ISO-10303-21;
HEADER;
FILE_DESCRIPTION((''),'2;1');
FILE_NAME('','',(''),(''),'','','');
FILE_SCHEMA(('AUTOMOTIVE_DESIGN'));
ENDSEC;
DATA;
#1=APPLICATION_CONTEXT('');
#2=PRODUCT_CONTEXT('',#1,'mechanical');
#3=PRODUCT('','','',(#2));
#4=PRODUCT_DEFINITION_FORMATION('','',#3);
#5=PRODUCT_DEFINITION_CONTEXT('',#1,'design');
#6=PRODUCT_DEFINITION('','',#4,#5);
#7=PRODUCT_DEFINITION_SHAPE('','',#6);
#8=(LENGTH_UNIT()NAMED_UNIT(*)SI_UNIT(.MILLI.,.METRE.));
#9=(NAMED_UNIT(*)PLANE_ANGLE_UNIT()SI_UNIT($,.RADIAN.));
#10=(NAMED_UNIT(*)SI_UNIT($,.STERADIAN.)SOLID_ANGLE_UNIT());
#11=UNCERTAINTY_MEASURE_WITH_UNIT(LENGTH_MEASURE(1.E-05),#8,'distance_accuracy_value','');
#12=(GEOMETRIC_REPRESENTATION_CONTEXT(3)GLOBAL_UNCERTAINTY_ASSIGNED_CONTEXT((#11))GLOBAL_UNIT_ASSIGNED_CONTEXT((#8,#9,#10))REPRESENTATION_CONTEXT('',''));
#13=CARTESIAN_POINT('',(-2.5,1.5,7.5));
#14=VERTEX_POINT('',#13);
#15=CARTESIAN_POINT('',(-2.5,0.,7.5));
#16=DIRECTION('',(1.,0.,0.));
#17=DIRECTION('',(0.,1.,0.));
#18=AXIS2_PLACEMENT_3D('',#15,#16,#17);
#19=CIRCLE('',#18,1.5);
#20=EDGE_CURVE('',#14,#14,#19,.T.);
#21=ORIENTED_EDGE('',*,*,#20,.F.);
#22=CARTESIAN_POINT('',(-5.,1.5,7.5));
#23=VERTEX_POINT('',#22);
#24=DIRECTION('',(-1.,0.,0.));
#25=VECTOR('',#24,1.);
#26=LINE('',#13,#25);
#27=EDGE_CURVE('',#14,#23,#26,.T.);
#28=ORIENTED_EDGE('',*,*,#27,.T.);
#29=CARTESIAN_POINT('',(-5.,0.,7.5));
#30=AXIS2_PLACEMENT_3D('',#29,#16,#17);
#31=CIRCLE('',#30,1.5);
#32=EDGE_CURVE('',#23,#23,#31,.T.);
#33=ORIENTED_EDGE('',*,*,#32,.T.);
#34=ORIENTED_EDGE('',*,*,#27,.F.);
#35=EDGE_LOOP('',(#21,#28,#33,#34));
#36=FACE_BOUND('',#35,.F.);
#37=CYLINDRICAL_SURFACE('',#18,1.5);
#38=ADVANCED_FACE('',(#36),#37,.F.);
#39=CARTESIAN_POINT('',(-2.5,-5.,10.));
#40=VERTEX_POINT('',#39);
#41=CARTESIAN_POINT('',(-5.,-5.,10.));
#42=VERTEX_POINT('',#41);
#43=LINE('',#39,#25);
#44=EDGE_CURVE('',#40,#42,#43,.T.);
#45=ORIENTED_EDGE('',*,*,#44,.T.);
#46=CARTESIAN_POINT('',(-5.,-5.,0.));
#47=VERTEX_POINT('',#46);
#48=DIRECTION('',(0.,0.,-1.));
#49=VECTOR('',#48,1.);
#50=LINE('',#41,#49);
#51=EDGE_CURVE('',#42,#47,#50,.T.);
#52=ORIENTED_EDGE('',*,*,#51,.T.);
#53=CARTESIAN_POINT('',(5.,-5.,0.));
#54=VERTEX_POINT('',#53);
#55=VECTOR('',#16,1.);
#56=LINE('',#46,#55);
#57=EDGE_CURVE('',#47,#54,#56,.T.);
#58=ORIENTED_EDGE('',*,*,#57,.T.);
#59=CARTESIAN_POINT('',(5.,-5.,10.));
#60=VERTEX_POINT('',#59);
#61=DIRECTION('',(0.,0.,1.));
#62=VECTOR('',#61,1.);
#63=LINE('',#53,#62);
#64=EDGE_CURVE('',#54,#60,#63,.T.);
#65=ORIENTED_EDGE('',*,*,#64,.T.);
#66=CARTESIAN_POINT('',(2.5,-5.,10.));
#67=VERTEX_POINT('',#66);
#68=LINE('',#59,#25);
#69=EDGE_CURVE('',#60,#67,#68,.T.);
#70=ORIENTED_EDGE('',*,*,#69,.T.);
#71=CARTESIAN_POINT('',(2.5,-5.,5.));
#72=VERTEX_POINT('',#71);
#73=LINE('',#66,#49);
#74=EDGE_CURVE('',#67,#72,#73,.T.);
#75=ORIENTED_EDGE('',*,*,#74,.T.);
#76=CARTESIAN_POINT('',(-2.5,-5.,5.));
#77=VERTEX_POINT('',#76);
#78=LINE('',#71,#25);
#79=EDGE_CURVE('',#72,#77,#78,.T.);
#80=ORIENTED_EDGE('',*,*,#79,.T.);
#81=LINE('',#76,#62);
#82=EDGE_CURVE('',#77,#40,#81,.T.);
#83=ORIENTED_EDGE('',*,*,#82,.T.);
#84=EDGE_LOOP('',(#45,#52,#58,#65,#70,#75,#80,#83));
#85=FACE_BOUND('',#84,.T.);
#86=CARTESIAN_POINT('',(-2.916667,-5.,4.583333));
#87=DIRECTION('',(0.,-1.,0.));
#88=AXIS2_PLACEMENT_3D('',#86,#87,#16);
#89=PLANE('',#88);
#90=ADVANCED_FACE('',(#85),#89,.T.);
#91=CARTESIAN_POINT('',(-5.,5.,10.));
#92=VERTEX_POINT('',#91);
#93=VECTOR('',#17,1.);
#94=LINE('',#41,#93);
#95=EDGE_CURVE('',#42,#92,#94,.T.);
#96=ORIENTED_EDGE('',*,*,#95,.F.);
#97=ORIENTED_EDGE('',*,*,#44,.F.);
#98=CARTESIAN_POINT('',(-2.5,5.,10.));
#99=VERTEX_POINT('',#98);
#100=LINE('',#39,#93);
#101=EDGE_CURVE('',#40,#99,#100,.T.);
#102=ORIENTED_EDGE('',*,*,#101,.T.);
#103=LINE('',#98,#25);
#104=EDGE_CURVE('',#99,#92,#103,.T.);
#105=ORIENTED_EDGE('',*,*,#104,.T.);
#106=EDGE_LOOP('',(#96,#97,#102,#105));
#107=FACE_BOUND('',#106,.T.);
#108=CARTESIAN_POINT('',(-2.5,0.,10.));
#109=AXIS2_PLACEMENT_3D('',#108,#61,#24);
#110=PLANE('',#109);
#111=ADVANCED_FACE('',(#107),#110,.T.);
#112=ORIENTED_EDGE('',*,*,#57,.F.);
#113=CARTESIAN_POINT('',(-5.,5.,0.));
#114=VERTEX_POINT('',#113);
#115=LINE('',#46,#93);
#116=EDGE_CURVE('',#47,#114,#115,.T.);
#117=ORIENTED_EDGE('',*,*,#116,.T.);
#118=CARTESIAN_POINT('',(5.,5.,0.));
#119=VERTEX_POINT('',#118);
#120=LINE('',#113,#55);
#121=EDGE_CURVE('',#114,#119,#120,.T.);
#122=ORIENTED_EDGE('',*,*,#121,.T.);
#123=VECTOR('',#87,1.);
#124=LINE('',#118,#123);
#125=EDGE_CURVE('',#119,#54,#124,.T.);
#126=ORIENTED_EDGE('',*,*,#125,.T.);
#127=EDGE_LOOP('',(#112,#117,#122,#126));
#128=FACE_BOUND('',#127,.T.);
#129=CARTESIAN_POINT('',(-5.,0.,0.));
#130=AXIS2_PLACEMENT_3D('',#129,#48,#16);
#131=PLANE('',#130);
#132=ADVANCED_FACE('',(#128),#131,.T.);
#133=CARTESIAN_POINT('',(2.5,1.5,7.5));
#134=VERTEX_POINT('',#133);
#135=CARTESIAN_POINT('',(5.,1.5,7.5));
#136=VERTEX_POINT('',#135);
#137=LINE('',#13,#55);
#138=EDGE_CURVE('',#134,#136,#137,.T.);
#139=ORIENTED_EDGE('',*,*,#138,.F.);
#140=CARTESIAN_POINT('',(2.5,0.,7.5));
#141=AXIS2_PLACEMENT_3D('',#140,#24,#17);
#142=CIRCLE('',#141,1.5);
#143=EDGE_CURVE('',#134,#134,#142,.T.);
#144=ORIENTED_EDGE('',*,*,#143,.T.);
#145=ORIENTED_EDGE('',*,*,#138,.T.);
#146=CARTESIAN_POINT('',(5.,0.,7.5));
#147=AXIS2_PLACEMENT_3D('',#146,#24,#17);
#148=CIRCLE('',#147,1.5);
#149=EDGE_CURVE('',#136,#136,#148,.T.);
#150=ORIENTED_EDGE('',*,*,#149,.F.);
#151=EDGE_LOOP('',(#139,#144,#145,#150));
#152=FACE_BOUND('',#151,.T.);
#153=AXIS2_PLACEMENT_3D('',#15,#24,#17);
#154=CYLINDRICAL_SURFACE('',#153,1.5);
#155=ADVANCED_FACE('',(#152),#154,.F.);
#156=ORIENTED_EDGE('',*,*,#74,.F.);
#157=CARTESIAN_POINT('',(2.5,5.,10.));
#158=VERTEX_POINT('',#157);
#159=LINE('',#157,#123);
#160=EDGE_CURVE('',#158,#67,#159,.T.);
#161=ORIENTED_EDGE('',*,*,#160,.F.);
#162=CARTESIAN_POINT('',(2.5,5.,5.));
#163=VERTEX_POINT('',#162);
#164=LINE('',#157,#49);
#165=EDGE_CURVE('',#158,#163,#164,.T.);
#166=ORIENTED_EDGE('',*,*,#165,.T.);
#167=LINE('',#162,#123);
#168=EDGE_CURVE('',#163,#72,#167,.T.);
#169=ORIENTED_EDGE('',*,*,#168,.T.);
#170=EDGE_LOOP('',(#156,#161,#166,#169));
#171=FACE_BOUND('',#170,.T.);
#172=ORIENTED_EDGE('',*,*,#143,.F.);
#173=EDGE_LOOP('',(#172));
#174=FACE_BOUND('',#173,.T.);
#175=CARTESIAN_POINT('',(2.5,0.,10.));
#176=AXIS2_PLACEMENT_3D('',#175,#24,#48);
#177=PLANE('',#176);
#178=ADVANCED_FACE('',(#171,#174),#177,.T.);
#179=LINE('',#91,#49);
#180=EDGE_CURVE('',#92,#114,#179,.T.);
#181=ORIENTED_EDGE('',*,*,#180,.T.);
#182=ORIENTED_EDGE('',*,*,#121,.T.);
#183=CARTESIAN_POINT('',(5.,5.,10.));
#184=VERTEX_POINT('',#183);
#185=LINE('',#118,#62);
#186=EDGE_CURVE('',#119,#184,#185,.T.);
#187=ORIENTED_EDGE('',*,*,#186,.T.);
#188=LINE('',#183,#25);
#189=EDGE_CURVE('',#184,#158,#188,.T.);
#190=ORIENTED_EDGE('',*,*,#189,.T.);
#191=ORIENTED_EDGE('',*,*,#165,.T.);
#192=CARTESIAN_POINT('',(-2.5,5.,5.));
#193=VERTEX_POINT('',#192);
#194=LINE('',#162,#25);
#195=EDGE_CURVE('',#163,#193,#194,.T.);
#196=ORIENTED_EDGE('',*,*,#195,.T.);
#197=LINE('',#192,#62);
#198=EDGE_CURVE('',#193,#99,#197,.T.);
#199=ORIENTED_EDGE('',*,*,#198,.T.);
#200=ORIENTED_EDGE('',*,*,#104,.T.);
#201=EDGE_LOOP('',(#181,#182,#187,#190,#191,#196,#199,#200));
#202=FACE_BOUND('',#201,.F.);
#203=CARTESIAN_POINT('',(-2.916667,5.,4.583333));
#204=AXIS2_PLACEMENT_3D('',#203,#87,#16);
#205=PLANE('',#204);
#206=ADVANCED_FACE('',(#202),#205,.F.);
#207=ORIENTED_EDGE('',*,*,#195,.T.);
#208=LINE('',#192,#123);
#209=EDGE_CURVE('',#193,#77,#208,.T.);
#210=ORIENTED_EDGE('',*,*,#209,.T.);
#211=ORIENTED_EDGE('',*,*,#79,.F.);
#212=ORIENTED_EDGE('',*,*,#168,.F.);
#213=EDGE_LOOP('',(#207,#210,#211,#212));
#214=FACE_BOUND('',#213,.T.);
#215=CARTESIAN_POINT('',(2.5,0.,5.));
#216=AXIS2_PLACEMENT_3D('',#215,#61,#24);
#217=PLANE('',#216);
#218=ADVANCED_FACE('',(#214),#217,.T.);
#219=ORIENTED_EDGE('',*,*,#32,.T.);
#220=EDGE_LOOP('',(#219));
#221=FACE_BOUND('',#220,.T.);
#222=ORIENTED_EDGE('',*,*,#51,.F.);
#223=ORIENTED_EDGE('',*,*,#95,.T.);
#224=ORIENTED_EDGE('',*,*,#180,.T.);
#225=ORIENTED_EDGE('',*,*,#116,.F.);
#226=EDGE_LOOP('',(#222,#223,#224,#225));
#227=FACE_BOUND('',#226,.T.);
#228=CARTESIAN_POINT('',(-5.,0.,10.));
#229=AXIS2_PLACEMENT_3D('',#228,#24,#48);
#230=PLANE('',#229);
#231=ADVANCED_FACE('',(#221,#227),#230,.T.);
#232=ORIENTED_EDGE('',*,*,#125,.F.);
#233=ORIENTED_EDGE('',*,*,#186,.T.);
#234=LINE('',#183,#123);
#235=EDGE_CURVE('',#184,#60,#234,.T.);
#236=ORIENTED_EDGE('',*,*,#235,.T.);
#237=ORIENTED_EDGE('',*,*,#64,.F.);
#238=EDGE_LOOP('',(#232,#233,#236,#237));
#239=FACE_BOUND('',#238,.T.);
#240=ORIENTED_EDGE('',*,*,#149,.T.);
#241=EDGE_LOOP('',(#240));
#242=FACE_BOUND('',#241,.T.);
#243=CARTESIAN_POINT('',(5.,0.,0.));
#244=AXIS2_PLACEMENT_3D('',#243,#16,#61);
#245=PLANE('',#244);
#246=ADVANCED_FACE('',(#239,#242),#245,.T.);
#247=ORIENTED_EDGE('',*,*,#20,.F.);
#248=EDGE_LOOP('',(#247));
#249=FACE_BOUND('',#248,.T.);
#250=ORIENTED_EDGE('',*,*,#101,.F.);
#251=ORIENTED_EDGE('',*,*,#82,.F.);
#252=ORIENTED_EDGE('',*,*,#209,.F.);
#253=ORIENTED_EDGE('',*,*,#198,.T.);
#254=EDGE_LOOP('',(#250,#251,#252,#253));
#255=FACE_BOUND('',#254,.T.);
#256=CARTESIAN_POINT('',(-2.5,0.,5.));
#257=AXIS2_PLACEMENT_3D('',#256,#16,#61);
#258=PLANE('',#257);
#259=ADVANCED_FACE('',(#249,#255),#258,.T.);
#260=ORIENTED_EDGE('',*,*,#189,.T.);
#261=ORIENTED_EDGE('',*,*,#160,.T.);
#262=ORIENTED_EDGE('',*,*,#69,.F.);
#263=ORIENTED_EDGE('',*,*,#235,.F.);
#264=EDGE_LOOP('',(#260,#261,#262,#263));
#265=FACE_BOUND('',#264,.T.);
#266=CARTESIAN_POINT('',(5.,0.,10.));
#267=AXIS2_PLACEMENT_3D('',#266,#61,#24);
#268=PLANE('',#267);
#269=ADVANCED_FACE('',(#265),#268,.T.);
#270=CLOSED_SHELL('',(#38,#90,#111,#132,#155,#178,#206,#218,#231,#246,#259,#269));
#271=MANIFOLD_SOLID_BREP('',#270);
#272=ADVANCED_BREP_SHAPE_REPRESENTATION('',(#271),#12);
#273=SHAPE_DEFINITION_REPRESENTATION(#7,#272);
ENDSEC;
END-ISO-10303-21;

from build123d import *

# Parameters (mm, degrees)
F1_DEPTH      = 5
F2_R          = 1.5
F3_DEPTH      = 2.501
F3_DEPTH_BACK = 7.501


with BuildPart() as f1:
    # F0 (on Front) → F1 (new body, symmetric)
    with BuildSketch(Plane.XZ):
        Polygon((-5, 0), (0, 0), (0, 5), (-2.5, 5), (-2.5, 10), (-5, 10), align=None)
        Polygon((0, 5), (0, 0), (5, 0), (5, 10), (2.5, 10), (2.5, 5), align=None)
    extrude(amount=F1_DEPTH, both=True)

    # F2 (on face) → F3 (cut, two sides)
    with BuildSketch(Plane.YZ.offset(-2.5)) as f3_sk:
        with Locations((0, 7.5)):
            Circle(F2_R)
    extrude(amount=-F3_DEPTH, mode=Mode.SUBTRACT)
    extrude(f3_sk.sketch, amount=F3_DEPTH_BACK, mode=Mode.SUBTRACT)


solid = f1.part
